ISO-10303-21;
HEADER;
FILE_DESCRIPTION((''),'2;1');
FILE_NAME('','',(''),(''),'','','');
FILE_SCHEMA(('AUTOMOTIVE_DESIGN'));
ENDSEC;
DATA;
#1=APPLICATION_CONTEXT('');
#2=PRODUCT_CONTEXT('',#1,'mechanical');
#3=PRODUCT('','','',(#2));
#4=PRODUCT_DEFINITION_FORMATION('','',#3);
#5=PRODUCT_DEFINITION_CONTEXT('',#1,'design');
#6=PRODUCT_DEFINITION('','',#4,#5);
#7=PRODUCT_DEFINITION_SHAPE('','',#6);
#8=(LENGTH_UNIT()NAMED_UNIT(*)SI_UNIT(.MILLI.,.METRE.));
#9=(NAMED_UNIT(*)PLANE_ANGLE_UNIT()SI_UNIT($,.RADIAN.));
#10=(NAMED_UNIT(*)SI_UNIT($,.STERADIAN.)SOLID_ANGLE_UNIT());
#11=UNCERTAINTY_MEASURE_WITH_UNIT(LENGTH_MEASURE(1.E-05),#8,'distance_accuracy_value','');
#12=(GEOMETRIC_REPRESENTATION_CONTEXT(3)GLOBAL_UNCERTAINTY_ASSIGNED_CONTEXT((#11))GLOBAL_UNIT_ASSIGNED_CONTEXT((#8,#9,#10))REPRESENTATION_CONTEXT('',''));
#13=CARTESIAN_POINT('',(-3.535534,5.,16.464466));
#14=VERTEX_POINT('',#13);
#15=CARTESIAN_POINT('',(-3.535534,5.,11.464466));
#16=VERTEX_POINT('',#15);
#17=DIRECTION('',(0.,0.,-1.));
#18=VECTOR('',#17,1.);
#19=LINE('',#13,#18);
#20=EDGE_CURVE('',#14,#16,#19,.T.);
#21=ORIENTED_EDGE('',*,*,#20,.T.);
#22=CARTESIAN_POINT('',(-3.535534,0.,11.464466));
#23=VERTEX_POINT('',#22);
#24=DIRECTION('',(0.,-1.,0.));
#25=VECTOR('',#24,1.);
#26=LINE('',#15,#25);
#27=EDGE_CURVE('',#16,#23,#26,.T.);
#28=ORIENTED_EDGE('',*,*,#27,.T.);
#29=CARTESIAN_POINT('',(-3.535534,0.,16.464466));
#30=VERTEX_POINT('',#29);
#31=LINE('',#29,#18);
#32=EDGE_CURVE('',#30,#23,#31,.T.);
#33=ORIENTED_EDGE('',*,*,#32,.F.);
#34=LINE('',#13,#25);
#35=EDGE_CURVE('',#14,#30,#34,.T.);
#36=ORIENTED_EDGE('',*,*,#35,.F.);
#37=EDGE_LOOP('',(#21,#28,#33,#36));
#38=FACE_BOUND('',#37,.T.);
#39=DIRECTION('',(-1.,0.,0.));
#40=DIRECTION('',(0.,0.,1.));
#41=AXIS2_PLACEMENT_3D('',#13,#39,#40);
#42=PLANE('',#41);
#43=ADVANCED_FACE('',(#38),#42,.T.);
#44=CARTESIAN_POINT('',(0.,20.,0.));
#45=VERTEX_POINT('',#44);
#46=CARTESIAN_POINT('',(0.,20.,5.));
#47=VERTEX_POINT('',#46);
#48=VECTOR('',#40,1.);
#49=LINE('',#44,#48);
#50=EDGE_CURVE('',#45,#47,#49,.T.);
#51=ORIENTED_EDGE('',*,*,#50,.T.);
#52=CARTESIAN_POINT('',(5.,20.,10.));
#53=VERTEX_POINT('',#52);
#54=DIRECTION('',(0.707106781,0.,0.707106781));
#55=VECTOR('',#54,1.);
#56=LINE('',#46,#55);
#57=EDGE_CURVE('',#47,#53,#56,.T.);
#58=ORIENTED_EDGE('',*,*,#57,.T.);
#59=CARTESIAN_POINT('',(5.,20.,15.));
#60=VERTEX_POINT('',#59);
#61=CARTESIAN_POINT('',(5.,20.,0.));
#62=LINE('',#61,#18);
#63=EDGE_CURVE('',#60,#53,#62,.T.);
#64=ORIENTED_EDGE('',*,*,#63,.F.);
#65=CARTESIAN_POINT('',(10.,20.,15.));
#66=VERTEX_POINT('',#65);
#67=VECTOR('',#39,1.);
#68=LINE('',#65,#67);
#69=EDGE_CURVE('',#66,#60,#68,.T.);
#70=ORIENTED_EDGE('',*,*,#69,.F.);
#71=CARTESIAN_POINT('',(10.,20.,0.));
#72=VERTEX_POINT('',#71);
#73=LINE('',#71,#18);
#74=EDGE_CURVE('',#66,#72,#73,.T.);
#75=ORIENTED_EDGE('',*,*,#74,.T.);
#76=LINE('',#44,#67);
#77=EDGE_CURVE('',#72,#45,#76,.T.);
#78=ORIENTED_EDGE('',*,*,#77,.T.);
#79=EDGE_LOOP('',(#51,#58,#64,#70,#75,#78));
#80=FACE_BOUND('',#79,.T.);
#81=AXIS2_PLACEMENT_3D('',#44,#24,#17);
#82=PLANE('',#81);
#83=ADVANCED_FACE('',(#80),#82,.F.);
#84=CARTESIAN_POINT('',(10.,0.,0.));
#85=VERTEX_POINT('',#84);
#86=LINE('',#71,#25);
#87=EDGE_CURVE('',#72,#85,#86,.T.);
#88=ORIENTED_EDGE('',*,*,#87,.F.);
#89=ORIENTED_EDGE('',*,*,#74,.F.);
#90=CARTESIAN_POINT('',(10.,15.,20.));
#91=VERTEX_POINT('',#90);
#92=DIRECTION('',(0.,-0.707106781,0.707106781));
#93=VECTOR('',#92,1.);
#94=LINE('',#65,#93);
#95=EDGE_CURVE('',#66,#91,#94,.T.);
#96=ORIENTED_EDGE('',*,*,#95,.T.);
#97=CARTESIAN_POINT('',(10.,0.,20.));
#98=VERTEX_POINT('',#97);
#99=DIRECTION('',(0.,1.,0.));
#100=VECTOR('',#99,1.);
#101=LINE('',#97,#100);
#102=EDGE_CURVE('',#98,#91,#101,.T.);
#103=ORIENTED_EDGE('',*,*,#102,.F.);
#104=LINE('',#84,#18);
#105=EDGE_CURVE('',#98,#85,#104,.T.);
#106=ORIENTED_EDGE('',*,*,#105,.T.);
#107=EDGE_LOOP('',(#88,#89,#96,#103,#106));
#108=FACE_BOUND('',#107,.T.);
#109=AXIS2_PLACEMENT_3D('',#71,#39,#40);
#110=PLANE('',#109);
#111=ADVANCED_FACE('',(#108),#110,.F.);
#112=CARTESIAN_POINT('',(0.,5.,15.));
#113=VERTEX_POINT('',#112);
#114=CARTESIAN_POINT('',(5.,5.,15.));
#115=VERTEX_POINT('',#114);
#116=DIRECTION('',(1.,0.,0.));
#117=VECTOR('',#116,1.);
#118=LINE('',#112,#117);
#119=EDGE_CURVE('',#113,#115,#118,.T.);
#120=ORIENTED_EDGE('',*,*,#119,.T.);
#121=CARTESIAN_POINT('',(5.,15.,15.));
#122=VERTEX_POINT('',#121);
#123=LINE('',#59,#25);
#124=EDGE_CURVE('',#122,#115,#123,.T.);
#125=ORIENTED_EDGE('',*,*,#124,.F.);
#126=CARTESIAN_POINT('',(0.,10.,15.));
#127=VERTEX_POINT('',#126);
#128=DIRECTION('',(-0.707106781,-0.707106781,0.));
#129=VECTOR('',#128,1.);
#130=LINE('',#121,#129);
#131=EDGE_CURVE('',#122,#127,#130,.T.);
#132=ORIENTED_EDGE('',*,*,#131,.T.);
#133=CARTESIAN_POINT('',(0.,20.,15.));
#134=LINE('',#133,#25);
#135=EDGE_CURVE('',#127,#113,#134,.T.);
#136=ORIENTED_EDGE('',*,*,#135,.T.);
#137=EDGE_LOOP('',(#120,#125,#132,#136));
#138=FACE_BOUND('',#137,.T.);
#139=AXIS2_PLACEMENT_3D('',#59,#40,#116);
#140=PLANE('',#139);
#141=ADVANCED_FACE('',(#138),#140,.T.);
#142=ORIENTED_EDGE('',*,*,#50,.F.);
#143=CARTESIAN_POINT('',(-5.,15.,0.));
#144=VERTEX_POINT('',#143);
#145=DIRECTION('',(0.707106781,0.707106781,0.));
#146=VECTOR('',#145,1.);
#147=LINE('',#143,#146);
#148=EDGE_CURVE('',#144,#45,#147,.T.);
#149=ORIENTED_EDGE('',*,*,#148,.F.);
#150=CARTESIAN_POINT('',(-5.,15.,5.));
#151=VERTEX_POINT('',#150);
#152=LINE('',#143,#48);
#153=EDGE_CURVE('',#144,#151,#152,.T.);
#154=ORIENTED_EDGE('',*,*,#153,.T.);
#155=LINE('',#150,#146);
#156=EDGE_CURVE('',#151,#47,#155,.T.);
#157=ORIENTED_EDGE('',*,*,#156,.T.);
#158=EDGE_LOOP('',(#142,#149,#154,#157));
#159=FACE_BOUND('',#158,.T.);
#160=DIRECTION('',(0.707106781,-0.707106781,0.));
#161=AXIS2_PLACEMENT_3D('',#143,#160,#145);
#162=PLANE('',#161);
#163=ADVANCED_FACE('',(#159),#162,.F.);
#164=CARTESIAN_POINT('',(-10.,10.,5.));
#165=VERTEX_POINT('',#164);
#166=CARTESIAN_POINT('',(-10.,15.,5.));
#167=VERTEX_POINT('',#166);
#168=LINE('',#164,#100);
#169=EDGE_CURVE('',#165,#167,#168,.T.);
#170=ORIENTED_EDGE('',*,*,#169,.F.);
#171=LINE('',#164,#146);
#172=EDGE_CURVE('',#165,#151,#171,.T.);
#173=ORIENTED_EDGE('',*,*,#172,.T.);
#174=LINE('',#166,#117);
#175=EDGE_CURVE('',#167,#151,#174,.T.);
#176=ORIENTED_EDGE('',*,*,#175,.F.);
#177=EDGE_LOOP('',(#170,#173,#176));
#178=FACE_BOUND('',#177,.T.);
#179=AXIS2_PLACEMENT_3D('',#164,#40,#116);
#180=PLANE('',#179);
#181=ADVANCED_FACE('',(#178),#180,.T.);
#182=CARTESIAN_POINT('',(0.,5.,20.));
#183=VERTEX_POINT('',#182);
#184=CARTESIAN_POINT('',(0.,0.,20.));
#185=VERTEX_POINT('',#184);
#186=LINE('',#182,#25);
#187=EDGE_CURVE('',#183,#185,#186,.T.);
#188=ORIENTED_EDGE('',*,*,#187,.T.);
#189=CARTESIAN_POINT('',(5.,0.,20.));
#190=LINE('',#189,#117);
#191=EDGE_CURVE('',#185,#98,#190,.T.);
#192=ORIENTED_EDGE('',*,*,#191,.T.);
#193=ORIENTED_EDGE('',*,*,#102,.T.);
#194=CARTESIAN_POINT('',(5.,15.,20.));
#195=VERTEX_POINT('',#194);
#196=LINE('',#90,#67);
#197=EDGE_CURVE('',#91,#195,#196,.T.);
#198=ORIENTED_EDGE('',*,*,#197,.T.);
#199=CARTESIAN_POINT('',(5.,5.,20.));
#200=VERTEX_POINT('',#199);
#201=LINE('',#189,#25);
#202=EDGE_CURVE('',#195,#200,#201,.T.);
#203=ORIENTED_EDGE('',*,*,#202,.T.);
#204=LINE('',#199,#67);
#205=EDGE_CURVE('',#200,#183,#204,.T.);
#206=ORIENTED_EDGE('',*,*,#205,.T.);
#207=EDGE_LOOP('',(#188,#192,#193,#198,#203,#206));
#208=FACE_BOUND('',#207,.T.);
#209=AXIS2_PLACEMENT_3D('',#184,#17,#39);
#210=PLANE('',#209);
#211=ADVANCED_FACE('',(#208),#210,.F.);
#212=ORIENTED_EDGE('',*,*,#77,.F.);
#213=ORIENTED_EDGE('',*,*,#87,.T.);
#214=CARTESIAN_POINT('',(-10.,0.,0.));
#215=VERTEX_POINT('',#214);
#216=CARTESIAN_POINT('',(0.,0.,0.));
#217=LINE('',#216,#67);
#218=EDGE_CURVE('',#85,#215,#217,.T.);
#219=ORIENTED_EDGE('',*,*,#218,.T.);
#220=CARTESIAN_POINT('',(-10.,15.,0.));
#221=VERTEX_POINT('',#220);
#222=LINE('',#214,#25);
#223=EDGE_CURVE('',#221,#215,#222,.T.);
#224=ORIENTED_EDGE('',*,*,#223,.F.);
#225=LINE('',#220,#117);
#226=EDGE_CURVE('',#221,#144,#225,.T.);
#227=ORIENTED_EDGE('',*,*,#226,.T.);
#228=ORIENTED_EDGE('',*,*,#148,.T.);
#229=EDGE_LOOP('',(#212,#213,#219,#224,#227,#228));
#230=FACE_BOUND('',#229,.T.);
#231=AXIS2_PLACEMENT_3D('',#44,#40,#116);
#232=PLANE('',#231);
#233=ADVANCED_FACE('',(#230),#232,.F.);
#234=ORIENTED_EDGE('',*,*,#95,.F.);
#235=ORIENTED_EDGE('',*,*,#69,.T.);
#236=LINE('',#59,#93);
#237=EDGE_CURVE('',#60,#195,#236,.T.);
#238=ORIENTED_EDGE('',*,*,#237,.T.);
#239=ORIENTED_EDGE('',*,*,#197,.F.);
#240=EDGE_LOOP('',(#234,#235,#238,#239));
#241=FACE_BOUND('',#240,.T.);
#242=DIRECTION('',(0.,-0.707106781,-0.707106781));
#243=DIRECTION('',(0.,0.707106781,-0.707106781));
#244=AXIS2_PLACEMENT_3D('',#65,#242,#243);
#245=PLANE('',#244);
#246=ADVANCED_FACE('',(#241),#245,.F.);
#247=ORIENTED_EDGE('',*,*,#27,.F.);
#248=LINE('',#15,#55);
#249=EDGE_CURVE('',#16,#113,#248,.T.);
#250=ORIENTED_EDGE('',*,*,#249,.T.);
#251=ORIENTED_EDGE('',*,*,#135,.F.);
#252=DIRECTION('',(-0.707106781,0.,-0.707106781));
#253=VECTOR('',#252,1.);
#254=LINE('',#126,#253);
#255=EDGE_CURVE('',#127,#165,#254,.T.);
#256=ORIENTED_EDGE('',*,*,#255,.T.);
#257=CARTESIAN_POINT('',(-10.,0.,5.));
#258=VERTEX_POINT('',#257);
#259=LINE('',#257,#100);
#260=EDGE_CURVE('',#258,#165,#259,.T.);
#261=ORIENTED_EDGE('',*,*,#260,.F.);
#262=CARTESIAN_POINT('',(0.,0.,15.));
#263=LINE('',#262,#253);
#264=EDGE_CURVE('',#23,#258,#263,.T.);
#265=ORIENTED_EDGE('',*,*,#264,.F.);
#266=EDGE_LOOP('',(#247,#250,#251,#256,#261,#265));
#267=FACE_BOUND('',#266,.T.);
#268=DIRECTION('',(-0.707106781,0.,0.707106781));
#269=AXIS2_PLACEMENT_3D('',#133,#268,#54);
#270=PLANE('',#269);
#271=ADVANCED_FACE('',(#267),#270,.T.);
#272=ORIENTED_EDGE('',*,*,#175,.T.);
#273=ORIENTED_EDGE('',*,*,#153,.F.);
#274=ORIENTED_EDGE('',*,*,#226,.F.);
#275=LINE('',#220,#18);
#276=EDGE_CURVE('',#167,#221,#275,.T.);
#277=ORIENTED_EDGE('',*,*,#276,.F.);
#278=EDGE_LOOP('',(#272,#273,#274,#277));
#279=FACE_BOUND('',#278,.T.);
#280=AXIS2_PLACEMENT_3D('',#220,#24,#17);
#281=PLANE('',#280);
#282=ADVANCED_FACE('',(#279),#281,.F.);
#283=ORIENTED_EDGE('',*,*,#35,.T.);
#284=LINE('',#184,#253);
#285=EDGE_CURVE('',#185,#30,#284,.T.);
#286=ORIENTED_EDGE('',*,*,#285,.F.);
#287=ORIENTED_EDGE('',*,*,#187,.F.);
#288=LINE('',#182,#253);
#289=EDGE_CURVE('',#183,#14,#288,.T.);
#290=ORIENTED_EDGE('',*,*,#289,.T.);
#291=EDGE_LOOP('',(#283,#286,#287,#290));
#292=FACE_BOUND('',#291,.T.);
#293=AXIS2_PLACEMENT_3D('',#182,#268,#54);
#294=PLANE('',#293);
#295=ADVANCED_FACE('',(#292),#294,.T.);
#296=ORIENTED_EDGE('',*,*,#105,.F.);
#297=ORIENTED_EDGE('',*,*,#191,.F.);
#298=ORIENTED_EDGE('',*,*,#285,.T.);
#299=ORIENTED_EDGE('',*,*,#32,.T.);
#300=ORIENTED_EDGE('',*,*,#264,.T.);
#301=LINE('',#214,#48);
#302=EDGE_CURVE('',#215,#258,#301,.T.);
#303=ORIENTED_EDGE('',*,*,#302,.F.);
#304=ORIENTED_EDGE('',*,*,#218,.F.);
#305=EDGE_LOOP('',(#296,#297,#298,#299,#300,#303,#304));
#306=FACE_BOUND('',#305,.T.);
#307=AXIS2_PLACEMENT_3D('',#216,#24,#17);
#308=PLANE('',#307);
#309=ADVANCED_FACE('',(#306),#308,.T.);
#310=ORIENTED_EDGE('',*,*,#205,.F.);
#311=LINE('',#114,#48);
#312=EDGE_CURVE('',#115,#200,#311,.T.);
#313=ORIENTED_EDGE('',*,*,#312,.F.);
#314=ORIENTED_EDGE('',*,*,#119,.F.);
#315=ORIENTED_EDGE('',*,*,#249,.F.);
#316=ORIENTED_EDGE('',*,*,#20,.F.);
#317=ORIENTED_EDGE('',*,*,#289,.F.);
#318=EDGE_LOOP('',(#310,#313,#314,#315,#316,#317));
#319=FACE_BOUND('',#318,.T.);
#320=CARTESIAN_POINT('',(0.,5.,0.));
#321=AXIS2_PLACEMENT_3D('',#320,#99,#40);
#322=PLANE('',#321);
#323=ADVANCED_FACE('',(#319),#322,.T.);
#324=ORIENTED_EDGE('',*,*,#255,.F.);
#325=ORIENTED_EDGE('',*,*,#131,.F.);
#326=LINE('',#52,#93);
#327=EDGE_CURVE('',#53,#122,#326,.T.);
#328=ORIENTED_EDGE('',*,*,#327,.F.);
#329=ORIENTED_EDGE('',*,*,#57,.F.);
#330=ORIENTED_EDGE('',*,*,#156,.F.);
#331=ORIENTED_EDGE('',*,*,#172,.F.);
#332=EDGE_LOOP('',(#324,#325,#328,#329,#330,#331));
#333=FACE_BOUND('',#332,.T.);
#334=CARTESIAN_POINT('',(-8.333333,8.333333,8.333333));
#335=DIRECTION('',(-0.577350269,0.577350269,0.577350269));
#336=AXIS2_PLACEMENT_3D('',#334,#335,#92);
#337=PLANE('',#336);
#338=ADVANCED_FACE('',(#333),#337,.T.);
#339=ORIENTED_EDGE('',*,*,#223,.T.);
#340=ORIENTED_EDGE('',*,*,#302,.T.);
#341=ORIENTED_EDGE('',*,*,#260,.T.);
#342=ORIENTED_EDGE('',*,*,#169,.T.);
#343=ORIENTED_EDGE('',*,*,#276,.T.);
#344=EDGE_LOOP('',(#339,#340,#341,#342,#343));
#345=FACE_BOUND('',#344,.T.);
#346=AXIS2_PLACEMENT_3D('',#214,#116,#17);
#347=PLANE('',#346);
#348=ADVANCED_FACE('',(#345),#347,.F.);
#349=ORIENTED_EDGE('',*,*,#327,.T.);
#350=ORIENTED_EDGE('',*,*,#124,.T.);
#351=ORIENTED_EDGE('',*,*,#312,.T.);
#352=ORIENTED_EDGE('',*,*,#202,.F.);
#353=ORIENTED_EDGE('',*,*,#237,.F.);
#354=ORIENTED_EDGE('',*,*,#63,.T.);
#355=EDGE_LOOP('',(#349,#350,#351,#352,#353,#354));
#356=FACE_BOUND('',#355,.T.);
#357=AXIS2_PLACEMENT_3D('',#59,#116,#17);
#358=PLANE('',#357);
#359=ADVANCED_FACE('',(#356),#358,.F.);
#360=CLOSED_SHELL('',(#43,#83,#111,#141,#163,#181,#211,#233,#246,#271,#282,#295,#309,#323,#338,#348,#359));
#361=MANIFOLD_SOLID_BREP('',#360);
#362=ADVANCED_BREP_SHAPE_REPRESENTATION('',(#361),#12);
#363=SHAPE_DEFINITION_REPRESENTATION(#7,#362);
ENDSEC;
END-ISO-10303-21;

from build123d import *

# Parameters (mm, degrees)
BOSS_EXTRUDE1_DEPTH = 20
SKETCH3_W           = 5
SKETCH3_H           = 20
BOSS_EXTRUDE2_DEPTH = 5
CUT_EXTRUDE1_DEPTH  = 5
SKETCH5_W           = 5
SKETCH5_H           = 20
BOSS_EXTRUDE3_DEPTH = 5
CUT_EXTRUDE2_DEPTH  = 5
SKETCH7_W           = 5
SKETCH7_H           = 15
BOSS_EXTRUDE4_DEPTH = 5
BOSS_EXTRUDE6_DEPTH = 20
CUT_EXTRUDE4_DEPTH  = 31
BOSS_EXTRUDE7_DEPTH = 5


with BuildPart() as part:
    # Sketch2 → Boss-Extrude1 (new body)
    with BuildSketch(Plane(origin=(0, 0, 0), x_dir=(1, 0, 0), z_dir=(0, 1, 0))):
        Polygon((0, 0), (10, 0), (10, -15), (5, -15), (5, -10), (0, -5), align=None)
    extrude(amount=BOSS_EXTRUDE1_DEPTH)

    # Sketch3 → Boss-Extrude2 (add)
    with BuildSketch(Plane.XY.offset(15)):
        with Locations((7.5, 10)):
            Rectangle(SKETCH3_W, SKETCH3_H)
    extrude(amount=BOSS_EXTRUDE2_DEPTH)

    # Sketch4 → Cut-Extrude1 (cut)
    with BuildSketch(Plane.ZY.offset(-5)):
        Polygon((15, 20), (20, 15), (20, 20), align=None)
    extrude(amount=-CUT_EXTRUDE1_DEPTH, mode=Mode.SUBTRACT)

    # Sketch5 → Boss-Extrude3 (add)
    with BuildSketch(Plane.ZY):
        with Locations((2.5, 10)):
            Rectangle(SKETCH5_W, SKETCH5_H)
    extrude(amount=BOSS_EXTRUDE3_DEPTH)

    # Sketch6 → Cut-Extrude2 (cut)
    with BuildSketch(Plane.XY.offset(5)):
        Polygon((0, 20), (-5, 20), (-5, 15), align=None)
    extrude(amount=-CUT_EXTRUDE2_DEPTH, mode=Mode.SUBTRACT)

    # Sketch7 → Boss-Extrude4 (add)
    with BuildSketch(Plane.ZY.offset(5)):
        with Locations((2.5, 7.5)):
            Rectangle(SKETCH7_W, SKETCH7_H)
    extrude(amount=BOSS_EXTRUDE4_DEPTH)

    # Sketch8 → Boss-Extrude6 (add)
    with BuildSketch(Plane(origin=(0, 0, 0), x_dir=(-1, 0, 0), z_dir=(0, -1, 0))):
        Polygon((10, -5), (0, -5), (-5, -10), (-5, -15), (0, -15), align=None)
    extrude(amount=-BOSS_EXTRUDE6_DEPTH)

    # 3DSketch2 → Cut-Extrude4 (cut, along a direction that is not the sketch's normal)
    with BuildSketch(Plane(origin=(0, 20, 5), x_dir=(-0.7071067811865475, -0.7071067811865476, 0), z_dir=(-0.5773502691896257, 0.5773502691896257, 0.5773502691896257))):
        Polygon((0, 0), (-3.535533906, 6.123724357), (0, 12.247448714), (7.071067812, 12.247448714), (14.142135624, 0), align=None)
    extrude(amount=CUT_EXTRUDE4_DEPTH, dir=(0, 1, 0), mode=Mode.SUBTRACT)

    # Sketch9 → Boss-Extrude7 (add)
    with BuildSketch(Plane(origin=(0, 0, 0), x_dir=(-1, 0, 0), z_dir=(0, -1, 0))):
        Polygon((0, -15), (-5, -15), (-5, -20), (0, -20), (3.535533906, -16.464466094), (3.535533906, -11.464466094), align=None)
    extrude(amount=-BOSS_EXTRUDE7_DEPTH)


solid = part.part
